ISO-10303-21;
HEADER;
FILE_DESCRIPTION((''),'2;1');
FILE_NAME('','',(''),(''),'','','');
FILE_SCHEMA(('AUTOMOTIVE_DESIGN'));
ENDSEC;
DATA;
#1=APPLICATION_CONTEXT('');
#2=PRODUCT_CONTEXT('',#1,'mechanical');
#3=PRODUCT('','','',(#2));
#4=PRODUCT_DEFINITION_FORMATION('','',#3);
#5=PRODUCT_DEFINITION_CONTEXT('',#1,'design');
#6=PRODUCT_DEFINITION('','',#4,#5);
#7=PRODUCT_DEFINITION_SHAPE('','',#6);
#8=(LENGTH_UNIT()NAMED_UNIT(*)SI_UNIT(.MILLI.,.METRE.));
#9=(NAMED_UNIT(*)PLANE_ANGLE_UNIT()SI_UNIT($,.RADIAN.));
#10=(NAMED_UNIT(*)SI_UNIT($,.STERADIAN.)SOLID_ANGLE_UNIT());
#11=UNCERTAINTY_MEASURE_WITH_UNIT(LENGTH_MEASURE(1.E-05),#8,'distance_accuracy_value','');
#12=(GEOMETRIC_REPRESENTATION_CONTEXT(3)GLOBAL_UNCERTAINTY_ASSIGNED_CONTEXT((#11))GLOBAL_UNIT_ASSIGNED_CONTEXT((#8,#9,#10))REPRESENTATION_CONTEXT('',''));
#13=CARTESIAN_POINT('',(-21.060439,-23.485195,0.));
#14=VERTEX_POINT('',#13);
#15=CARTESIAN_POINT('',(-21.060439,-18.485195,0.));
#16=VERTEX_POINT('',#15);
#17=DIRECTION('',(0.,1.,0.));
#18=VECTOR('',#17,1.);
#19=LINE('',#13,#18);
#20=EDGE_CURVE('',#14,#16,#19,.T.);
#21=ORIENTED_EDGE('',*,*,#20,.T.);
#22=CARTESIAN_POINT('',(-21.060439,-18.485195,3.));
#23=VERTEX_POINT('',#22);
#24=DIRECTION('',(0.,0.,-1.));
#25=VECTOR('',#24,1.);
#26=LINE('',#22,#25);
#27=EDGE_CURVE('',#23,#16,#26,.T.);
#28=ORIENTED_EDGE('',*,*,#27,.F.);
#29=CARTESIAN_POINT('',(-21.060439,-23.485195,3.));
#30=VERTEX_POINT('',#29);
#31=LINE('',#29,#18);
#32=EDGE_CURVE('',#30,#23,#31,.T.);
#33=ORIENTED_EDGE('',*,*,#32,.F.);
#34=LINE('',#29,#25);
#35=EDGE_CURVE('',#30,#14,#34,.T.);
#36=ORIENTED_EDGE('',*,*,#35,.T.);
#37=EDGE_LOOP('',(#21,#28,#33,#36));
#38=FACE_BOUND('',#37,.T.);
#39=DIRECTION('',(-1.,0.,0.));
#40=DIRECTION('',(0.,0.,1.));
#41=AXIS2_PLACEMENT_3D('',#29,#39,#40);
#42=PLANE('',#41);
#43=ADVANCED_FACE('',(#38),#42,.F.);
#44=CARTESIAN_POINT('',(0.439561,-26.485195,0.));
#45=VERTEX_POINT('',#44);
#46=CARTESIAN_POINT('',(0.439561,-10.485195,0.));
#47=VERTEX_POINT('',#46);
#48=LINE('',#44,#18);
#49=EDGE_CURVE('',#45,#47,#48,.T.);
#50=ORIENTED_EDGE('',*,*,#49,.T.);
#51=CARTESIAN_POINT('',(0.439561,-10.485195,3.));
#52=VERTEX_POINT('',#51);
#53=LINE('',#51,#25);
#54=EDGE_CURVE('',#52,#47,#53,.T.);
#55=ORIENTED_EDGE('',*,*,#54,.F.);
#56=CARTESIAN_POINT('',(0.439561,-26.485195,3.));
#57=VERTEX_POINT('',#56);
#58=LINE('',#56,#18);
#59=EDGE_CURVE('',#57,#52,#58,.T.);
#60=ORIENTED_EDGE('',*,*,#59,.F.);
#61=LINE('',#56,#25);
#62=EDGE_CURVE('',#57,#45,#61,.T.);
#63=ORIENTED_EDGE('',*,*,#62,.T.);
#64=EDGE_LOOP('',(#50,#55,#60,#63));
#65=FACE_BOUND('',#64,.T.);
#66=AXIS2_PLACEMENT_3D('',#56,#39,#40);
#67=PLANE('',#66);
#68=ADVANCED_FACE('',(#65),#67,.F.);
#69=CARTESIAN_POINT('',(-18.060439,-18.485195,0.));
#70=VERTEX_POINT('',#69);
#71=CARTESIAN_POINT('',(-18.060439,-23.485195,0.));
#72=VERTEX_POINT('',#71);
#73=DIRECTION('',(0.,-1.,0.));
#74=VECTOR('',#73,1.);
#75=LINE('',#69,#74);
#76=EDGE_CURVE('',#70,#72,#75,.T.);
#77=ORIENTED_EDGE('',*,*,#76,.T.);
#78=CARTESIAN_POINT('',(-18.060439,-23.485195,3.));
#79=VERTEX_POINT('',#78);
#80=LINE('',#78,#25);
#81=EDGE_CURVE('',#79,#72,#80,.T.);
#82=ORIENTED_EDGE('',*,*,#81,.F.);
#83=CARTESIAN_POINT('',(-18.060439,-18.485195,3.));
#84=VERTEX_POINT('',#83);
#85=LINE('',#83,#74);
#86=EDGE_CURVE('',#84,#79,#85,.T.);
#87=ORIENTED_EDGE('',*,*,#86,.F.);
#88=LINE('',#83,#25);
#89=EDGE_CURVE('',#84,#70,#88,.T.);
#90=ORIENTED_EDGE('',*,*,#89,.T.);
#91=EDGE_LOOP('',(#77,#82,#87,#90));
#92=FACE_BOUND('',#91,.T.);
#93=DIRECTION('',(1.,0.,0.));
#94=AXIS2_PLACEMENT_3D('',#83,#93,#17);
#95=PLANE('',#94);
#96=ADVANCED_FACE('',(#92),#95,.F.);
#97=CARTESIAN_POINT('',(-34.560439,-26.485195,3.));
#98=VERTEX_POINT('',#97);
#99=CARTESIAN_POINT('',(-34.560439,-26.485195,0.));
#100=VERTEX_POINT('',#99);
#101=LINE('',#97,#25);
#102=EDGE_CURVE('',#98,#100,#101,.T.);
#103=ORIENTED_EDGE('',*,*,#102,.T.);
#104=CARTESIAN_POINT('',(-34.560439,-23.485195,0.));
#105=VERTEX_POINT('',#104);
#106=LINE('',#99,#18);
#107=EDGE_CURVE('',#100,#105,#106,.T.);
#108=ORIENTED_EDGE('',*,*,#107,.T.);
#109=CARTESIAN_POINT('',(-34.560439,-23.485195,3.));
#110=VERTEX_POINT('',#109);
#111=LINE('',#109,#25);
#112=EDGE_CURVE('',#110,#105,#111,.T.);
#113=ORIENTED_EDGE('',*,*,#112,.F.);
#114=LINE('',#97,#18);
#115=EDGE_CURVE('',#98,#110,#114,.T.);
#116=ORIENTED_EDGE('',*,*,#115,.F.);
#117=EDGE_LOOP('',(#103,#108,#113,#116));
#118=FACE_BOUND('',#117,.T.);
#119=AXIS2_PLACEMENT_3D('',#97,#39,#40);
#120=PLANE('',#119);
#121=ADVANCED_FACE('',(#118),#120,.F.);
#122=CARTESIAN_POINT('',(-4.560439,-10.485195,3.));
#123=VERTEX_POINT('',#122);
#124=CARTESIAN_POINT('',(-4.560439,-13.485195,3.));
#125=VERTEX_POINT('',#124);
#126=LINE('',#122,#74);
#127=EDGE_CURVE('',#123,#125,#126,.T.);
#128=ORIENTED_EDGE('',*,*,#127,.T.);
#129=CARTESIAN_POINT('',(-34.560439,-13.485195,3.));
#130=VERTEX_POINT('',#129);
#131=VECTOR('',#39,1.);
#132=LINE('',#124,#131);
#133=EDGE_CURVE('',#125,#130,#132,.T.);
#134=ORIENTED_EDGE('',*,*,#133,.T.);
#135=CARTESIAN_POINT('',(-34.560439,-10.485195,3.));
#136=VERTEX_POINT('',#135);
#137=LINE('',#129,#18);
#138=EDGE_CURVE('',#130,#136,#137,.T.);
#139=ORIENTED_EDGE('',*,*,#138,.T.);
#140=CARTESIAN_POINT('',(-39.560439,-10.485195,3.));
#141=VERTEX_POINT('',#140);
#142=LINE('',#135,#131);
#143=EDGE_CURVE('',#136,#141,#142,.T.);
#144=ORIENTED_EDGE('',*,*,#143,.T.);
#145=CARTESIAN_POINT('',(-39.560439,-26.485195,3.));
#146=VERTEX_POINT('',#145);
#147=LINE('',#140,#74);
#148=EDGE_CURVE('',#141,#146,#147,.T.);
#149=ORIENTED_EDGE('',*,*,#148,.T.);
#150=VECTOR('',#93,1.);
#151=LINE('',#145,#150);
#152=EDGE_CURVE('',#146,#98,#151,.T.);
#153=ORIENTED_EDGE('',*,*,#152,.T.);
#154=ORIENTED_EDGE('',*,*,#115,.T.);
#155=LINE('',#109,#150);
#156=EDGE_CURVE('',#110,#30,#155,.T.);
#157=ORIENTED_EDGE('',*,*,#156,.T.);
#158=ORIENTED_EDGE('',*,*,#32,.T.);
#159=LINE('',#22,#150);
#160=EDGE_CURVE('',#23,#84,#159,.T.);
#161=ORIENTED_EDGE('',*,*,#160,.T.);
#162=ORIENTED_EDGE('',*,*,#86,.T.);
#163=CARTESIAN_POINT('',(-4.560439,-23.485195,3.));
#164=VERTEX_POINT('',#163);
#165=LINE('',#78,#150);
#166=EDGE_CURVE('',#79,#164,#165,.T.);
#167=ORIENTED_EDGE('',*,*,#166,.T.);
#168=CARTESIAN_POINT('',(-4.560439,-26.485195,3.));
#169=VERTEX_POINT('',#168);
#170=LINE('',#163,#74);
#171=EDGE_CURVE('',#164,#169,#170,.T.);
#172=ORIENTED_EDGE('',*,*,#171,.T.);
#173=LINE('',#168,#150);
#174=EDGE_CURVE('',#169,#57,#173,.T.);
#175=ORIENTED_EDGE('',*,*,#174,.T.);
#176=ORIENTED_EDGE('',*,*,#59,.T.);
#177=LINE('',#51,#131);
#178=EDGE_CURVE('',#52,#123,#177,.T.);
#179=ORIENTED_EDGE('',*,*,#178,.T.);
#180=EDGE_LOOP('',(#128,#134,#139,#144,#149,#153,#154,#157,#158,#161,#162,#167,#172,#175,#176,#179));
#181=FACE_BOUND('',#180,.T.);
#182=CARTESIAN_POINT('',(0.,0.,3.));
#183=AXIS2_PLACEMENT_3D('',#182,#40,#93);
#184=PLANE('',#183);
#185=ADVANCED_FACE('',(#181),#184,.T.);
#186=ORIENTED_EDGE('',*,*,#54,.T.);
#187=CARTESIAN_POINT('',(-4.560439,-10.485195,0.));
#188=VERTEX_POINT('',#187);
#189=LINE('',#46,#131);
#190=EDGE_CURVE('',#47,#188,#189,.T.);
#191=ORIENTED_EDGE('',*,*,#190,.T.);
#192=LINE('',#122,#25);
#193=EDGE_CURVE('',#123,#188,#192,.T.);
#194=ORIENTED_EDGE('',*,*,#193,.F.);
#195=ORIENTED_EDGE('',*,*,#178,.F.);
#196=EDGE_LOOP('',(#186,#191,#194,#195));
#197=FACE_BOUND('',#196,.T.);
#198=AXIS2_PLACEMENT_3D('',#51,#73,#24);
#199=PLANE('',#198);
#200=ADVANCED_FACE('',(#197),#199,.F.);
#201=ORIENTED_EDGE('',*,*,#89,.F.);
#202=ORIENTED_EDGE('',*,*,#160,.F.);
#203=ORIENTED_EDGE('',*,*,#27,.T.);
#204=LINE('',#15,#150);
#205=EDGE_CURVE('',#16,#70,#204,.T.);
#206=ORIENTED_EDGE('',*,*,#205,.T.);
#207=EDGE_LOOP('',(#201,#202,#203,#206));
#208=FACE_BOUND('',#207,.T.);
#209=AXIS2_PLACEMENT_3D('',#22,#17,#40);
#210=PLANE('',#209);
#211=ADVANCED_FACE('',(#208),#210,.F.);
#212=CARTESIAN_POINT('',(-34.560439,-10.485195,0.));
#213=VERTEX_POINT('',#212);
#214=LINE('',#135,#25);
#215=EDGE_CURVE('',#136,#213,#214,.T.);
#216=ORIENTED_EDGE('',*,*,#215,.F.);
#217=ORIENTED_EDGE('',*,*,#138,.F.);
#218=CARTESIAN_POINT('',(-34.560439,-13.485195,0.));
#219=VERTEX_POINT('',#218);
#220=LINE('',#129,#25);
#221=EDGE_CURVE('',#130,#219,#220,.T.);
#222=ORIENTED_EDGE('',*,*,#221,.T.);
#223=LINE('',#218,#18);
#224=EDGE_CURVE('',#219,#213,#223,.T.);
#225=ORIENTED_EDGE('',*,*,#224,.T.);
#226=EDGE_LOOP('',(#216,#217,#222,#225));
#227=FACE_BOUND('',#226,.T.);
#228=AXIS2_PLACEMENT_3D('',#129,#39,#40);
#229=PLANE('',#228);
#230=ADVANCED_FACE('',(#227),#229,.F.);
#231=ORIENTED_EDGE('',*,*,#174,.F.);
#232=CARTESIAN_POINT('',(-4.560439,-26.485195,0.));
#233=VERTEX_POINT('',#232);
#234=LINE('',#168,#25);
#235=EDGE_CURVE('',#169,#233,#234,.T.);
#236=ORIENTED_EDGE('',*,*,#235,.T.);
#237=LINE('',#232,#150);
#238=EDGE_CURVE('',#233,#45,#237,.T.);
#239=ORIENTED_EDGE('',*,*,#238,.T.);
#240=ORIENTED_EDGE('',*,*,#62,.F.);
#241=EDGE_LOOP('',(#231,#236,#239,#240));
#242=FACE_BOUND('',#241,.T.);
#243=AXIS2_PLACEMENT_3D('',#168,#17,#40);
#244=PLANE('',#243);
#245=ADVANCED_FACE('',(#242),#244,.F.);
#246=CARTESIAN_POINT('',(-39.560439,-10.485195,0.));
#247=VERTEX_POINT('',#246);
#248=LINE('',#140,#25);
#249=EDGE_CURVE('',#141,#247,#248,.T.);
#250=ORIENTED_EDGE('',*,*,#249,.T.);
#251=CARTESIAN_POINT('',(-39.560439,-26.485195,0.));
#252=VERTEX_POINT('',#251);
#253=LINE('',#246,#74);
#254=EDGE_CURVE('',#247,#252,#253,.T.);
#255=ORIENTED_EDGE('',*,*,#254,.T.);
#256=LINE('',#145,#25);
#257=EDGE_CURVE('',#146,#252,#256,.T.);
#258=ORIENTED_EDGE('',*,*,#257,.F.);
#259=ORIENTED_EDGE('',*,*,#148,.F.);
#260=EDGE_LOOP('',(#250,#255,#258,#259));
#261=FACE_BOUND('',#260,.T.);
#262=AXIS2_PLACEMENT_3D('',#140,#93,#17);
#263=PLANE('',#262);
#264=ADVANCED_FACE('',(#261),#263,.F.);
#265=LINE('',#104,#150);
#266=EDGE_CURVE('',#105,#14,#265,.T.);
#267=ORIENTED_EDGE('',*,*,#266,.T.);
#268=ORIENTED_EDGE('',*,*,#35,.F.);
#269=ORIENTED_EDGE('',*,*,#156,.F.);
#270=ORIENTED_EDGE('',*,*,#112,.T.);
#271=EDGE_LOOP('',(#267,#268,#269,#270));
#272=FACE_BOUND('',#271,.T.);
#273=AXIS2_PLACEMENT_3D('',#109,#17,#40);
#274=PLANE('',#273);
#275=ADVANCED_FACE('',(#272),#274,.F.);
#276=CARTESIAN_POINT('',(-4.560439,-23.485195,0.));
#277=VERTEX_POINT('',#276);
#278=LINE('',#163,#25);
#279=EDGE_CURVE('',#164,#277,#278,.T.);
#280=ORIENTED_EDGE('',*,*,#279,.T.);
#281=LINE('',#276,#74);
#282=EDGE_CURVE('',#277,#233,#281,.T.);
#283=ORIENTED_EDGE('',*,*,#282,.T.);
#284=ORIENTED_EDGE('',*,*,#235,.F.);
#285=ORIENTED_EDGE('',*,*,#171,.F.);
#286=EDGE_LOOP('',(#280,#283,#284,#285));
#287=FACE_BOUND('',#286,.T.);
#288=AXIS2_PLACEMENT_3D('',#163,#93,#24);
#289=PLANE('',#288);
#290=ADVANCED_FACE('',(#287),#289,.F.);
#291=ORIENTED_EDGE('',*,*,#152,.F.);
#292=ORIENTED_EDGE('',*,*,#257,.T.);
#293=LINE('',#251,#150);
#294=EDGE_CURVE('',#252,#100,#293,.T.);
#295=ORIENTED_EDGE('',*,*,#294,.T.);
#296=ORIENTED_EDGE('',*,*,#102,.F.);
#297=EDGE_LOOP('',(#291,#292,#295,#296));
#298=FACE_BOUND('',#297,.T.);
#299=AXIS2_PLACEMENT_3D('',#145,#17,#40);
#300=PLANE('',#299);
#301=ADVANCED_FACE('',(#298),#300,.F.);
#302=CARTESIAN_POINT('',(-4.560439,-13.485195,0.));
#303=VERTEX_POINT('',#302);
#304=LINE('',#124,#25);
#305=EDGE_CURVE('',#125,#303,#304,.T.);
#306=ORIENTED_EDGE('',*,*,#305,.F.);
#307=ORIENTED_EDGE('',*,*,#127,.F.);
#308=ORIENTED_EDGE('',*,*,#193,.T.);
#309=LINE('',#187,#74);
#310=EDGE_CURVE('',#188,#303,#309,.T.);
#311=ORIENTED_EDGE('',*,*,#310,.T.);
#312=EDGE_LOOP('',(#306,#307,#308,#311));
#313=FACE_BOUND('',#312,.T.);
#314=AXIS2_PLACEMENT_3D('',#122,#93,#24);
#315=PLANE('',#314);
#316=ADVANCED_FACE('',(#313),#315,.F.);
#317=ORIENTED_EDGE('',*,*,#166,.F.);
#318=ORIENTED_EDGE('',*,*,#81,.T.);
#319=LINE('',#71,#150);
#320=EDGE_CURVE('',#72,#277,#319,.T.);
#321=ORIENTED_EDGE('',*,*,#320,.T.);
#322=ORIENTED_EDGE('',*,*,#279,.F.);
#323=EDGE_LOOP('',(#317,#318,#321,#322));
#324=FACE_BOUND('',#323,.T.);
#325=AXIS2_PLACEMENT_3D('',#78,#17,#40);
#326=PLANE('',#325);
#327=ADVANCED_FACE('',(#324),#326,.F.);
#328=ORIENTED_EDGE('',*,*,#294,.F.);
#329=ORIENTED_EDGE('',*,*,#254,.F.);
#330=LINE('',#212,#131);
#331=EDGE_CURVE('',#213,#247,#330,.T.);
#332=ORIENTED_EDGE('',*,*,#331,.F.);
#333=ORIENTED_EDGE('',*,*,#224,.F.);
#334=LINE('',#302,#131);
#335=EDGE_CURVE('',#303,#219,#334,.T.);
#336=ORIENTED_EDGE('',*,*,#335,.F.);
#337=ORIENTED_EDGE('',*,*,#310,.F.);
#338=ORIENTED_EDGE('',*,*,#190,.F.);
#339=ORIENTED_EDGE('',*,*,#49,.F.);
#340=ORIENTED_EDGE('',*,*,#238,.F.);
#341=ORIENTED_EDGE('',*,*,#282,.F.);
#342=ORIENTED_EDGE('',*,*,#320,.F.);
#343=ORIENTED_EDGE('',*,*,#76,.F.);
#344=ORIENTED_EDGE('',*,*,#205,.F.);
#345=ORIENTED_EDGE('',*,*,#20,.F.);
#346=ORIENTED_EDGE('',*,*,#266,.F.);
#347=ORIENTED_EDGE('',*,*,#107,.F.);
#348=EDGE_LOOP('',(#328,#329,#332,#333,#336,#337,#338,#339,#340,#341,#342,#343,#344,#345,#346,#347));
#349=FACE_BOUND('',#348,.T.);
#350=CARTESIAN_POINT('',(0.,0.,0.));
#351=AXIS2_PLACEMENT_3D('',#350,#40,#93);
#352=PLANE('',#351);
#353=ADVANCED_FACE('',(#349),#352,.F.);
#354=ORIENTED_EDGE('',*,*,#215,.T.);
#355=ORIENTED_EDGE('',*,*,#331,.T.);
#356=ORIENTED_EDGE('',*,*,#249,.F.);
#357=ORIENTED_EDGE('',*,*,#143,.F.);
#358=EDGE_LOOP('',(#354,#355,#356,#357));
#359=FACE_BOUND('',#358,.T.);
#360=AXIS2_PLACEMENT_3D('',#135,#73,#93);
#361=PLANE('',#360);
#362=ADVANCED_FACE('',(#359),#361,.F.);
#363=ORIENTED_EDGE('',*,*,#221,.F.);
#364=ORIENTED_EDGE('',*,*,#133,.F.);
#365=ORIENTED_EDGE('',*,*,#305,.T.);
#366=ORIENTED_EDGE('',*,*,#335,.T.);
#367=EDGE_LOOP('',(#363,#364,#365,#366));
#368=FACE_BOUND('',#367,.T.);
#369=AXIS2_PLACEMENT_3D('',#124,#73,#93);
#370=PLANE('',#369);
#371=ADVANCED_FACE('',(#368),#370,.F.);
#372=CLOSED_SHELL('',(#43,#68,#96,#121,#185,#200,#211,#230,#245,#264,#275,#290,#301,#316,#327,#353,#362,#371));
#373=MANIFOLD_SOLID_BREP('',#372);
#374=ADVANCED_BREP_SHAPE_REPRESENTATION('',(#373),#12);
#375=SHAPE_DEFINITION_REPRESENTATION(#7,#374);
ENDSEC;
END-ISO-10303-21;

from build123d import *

# Parameters (mm, degrees)
SALIENTE_EXTRUIR1_DEPTH = 3


with BuildPart() as part:
    # Croquis1 → Saliente-Extruir1 (new body)
    with BuildSketch(Plane.XY):
        Polygon((-39.560439086, -10.485194585), (-39.560439086, -26.485194585), (-34.560439086, -26.485194585), (-34.560439086, -23.485194585), (-21.060439086, -23.485194585), (-21.060439086, -18.485194585), (-18.060439086, -18.485194585), (-18.060439086, -23.485194585), (-4.560439086, -23.485194585), (-4.560439086, -26.485194585), (0.439560914, -26.485194585), (0.439560914, -10.485194585), (-4.560439086, -10.485194585), (-4.560439086, -13.485194585), (-34.560439086, -13.485194585), (-34.560439086, -10.485194585), align=None)
    extrude(amount=SALIENTE_EXTRUIR1_DEPTH)


solid = part.part
